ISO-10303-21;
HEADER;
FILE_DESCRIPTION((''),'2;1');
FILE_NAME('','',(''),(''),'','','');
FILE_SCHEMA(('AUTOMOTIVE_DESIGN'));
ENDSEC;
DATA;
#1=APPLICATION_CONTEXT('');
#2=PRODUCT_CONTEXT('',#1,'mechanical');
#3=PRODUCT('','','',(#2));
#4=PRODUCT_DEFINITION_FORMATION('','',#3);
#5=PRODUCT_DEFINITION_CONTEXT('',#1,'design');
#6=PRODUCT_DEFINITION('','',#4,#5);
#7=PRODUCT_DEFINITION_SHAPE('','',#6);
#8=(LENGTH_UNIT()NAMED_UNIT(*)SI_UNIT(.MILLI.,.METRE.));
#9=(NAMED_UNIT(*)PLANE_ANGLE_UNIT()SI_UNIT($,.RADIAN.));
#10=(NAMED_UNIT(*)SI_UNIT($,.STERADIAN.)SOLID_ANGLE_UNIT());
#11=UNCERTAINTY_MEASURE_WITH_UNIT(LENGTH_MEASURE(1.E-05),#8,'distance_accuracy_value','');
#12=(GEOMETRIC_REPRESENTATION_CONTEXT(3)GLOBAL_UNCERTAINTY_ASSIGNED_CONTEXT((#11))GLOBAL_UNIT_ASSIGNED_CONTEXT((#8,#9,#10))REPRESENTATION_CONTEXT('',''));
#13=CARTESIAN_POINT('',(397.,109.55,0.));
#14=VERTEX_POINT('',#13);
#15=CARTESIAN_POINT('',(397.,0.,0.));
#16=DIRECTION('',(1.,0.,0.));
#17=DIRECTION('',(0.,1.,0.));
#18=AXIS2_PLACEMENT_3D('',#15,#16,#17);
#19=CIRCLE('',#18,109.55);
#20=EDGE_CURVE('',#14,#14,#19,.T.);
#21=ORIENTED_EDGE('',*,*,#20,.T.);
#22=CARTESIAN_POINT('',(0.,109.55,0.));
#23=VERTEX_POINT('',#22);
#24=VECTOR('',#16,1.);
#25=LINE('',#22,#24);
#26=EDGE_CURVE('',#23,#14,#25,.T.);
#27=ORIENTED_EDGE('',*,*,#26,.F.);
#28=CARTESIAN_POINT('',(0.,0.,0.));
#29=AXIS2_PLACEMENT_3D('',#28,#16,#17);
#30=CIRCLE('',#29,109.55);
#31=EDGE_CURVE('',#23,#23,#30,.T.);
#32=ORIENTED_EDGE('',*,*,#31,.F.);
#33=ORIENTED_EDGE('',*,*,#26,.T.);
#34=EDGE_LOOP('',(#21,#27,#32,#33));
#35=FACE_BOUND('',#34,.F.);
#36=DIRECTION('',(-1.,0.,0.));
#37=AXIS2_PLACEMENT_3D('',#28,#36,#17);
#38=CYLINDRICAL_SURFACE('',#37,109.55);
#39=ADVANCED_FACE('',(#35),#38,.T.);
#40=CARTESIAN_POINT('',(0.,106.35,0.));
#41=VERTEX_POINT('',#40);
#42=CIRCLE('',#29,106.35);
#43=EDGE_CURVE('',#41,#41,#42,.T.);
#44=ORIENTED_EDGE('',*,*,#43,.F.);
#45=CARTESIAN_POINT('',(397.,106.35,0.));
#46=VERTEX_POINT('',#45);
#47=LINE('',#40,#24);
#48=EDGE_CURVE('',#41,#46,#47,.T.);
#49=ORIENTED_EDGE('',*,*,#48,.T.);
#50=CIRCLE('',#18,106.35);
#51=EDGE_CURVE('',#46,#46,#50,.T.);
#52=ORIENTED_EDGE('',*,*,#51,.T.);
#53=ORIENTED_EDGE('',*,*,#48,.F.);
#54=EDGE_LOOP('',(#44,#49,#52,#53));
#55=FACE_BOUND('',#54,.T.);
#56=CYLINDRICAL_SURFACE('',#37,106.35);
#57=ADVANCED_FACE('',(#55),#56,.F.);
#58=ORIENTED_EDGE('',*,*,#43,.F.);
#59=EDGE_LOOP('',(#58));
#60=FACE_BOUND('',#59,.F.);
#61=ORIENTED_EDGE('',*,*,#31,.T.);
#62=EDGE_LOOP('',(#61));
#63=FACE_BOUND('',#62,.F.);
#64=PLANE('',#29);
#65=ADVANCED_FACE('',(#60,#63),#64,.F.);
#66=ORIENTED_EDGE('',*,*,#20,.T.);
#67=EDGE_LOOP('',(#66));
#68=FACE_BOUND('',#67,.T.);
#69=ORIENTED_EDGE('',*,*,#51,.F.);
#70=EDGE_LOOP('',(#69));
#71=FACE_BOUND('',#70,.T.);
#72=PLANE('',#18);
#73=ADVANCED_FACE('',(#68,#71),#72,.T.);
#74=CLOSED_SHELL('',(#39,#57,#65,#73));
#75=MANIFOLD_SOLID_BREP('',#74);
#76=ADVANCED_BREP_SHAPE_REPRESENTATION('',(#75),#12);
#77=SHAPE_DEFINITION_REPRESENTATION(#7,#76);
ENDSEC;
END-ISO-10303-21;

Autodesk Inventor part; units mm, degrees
ref_plane "YZ Plane" through (0, 0, 0) normal (1, 0, 0) x (0, 1, 0)
ref_plane "XZ Plane" through (0, 0, 0) normal (0, 1, 0) x (-1, 0, 0)
ref_plane "XY Plane" through (0, 0, 0) normal (0, 0, 1) x (1, 0, 0)
sketch "Sketch1" plane through (0, 0, 0) normal (1, 0, 0) x (0, 1, 0)
  circle A0 centre (0, 0) radius 109.55
  circle A1 centre (0, 0) radius 106.35
  dimension "d0" = 219.1
  dimension "d1" = 3.2
extrude "Extrusion1" add sketch "Sketch1" along normal blind 397
equation "\"d0\" = OD"
equation "\"d1\" = t"
equation "\"d2\" = L"
equation "\"OD\" = 219.1"
equation "\"t\" = 3.2"
equation "\"L\" = PL"
equation "\"ID\" = 212.7"
equation "\"PL\" = 397"
equation "\"Size_Designation\" = 1.2345"
properties material "Steel"
